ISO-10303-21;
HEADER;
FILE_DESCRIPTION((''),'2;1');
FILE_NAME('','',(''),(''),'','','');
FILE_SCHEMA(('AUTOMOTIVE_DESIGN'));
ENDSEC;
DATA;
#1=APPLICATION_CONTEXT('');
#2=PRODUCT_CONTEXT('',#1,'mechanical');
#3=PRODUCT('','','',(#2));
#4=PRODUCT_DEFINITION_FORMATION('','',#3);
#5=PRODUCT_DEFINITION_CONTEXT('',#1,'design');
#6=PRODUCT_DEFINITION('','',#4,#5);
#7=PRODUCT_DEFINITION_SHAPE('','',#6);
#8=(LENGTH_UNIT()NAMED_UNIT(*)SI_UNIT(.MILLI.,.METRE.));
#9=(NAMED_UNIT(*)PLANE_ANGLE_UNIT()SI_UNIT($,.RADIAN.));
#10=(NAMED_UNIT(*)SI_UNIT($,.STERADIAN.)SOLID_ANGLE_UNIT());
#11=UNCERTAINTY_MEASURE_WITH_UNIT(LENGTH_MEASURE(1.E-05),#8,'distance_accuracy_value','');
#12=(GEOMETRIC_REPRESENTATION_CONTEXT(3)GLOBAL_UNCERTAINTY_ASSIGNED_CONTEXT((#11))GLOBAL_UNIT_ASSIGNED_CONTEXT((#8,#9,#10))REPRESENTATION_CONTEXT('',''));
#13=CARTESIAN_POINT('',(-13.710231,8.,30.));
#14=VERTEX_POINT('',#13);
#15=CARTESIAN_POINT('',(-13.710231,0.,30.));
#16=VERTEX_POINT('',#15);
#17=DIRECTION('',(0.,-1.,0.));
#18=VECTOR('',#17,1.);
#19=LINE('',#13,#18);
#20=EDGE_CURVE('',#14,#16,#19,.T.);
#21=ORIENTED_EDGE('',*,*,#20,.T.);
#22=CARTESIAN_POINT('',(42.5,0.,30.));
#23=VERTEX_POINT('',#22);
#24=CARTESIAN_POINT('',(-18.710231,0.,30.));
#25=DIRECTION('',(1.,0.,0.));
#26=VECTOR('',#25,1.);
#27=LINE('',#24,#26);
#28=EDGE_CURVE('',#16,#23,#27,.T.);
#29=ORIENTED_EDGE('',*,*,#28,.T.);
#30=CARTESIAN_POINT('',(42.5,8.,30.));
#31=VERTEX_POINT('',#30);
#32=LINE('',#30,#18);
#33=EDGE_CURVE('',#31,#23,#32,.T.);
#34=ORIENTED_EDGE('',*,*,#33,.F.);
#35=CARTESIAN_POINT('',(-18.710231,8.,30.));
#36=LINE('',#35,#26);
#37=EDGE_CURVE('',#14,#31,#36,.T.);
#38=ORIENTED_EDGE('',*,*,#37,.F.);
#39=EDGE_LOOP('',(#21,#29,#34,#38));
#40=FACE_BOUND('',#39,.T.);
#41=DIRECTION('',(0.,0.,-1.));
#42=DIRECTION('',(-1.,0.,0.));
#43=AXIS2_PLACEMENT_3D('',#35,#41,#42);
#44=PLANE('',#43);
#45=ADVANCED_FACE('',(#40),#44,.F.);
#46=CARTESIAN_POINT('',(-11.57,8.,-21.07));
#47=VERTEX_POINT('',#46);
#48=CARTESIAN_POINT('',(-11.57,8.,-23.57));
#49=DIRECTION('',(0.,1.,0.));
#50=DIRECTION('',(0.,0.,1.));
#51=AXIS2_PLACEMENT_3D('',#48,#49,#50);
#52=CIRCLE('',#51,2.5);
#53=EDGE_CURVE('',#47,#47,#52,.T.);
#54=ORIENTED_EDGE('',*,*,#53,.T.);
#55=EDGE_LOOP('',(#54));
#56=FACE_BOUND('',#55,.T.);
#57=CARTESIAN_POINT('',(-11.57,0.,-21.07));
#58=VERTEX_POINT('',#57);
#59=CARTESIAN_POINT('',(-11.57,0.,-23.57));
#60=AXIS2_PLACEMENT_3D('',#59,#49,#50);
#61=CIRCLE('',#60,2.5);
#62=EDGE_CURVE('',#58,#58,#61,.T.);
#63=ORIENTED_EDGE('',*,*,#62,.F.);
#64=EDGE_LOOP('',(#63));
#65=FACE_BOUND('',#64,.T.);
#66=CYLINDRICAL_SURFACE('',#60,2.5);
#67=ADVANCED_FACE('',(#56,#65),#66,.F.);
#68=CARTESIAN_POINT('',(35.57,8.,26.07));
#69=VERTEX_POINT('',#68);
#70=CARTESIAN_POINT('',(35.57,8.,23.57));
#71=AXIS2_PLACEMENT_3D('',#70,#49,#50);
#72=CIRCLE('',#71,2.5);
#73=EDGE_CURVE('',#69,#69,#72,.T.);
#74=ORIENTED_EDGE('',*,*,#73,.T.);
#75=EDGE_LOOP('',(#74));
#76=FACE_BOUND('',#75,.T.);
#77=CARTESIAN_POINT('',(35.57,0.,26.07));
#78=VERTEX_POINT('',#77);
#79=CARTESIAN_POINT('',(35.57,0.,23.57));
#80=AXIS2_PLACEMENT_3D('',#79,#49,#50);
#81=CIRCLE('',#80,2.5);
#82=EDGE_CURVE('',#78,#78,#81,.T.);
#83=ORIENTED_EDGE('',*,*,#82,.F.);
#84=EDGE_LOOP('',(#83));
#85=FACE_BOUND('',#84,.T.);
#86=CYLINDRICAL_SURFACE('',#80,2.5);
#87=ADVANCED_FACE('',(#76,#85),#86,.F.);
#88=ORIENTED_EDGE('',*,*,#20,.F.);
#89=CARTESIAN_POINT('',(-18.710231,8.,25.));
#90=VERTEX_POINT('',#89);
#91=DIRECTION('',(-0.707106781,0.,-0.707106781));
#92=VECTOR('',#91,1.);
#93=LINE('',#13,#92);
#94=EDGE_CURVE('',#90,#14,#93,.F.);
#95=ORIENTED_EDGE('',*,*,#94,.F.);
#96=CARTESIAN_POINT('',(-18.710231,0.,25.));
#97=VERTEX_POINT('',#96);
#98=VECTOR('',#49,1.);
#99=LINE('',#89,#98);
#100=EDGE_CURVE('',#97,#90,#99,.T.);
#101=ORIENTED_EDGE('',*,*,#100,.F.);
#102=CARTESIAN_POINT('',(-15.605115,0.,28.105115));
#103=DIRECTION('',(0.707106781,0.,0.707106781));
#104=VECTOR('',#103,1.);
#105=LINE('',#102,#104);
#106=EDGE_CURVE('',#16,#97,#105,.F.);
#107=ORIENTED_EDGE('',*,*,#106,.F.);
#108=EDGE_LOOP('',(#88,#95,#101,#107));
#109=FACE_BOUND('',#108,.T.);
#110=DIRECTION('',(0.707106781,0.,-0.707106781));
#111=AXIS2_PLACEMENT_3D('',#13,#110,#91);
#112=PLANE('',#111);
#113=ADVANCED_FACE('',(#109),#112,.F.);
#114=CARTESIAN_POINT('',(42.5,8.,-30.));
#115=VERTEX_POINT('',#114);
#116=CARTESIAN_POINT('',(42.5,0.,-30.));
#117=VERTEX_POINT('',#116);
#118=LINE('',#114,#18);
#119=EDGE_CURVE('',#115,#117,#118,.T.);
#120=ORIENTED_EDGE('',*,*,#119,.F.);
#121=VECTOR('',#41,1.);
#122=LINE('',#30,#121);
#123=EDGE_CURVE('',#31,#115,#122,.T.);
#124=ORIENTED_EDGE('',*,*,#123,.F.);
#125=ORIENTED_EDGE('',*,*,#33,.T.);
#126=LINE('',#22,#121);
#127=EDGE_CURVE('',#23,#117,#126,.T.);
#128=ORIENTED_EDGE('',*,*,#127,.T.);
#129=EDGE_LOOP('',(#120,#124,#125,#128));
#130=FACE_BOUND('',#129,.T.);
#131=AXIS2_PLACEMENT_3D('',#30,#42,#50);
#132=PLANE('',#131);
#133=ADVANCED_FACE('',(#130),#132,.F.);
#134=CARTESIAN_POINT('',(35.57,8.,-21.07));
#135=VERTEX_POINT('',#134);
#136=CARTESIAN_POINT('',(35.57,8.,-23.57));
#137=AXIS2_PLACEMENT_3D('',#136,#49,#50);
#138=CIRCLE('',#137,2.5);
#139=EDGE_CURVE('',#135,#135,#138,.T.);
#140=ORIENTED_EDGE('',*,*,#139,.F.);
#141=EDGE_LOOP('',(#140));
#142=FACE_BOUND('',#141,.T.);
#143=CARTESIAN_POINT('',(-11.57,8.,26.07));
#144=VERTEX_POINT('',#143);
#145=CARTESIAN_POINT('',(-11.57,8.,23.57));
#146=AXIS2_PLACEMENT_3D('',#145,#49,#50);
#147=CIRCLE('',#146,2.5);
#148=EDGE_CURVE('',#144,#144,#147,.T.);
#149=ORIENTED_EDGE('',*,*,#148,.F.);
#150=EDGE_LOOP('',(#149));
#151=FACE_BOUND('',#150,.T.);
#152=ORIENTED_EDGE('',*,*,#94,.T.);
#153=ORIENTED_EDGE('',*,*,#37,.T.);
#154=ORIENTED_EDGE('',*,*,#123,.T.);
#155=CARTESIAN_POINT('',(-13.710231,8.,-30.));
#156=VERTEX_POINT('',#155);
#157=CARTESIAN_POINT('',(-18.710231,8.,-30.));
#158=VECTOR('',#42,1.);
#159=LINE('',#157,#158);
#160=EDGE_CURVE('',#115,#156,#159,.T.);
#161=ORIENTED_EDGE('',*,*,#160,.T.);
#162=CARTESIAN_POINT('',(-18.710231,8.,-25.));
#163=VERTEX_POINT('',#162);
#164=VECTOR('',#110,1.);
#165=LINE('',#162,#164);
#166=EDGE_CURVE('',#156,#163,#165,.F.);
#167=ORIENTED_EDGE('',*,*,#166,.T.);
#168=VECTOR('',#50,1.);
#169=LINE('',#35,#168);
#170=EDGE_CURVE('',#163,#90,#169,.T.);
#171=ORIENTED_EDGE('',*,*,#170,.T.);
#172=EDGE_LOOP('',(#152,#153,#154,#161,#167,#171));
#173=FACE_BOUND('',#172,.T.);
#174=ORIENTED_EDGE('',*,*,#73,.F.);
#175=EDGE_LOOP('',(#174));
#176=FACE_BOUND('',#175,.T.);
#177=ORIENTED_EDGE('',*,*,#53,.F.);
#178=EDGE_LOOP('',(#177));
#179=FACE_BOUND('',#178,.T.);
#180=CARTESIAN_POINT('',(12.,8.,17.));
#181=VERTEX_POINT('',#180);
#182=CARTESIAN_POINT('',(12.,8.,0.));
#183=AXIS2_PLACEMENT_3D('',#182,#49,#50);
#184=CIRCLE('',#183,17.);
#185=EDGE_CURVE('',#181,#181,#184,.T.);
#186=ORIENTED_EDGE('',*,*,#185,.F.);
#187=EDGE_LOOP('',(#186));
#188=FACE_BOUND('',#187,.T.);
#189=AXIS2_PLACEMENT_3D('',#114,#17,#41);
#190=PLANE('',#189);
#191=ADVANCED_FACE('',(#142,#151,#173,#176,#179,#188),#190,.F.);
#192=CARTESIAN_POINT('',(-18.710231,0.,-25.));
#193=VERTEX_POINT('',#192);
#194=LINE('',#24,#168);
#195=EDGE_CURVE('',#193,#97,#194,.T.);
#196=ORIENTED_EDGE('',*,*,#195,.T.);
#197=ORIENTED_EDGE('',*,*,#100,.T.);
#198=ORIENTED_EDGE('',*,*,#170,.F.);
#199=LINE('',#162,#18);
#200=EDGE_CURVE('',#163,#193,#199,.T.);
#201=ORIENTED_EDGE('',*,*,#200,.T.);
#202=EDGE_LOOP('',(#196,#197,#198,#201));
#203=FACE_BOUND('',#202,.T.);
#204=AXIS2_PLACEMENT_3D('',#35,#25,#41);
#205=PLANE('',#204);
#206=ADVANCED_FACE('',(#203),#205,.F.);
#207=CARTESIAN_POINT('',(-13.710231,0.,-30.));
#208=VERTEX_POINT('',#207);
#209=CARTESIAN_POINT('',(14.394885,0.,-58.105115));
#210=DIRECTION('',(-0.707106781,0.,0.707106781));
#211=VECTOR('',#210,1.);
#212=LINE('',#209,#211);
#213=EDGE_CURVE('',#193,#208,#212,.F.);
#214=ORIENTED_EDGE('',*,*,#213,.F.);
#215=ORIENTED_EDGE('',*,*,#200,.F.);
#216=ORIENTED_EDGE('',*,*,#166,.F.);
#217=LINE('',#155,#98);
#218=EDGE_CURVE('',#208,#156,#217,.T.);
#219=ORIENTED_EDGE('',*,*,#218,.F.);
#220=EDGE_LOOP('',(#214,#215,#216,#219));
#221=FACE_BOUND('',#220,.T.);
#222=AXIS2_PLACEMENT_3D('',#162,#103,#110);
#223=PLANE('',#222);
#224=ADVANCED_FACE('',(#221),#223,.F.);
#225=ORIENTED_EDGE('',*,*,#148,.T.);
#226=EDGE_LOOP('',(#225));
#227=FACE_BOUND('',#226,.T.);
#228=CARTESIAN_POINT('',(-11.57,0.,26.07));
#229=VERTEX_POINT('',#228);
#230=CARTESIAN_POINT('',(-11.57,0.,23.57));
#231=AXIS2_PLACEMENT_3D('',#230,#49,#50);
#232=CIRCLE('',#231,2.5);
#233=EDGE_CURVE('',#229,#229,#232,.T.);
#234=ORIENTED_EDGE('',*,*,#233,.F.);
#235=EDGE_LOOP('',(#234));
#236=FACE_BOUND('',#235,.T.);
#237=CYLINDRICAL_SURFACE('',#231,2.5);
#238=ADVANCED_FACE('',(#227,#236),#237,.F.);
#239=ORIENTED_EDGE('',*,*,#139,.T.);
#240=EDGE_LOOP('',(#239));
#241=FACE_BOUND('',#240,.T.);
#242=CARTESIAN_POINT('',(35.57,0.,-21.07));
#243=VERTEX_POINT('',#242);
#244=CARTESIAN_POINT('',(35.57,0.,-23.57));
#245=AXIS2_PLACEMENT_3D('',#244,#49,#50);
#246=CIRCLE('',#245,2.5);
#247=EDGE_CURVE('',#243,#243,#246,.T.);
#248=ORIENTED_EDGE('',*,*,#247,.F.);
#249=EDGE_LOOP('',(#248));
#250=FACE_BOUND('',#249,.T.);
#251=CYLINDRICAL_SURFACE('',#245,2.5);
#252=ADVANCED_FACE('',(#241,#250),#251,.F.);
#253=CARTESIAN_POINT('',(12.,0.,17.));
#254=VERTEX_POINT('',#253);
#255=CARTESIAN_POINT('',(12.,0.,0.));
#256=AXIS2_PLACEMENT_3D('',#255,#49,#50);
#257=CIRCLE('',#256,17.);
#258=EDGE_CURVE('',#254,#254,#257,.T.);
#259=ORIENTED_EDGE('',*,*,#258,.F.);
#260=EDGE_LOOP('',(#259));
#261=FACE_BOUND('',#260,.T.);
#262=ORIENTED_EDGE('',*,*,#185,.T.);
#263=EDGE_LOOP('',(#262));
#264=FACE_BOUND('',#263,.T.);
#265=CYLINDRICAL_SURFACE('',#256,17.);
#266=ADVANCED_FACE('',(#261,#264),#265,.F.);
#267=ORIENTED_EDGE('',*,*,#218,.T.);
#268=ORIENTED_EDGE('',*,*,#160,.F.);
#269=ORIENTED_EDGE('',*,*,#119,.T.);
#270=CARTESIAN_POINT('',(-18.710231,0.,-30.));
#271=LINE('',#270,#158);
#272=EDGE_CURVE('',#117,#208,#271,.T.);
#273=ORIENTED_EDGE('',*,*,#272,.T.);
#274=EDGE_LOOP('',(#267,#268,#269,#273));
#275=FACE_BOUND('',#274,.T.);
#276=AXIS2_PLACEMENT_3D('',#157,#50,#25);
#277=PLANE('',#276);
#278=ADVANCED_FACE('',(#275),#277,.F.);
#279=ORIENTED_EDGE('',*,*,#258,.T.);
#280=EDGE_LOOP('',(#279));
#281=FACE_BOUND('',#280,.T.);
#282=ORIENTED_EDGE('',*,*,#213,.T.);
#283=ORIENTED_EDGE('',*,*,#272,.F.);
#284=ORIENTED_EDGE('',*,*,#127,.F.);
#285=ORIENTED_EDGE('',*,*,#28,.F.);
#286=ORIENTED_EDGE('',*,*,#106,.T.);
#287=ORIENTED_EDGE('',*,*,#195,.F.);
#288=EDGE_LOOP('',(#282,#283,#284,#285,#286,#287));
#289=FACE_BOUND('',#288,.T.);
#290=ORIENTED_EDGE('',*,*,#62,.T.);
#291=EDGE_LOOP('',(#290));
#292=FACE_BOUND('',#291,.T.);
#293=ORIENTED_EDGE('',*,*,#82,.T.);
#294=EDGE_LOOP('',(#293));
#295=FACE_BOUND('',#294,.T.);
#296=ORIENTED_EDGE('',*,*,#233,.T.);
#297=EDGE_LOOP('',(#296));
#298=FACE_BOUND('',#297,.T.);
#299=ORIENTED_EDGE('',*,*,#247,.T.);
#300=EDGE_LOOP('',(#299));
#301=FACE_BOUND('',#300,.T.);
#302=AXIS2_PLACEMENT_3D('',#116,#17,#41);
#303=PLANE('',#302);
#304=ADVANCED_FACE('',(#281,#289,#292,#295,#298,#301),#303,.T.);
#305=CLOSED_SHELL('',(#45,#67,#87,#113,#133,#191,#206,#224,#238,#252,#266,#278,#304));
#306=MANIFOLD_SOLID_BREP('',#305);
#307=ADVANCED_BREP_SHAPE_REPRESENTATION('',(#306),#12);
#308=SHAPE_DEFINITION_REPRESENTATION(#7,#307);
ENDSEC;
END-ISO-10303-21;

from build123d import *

# Parameters (mm, degrees)
SKETCH2_W          = 61.210230612
SKETCH2_H          = 60
EXTRUDE1_DEPTH     = 8
CHAMFER1_SIZE      = 5
SKETCH3_R          = 17
SKETCH3_R_2        = 2.5
CUT_EXTRUDE1_DEPTH = 53.63316445


with BuildPart() as part:
    # Sketch2 → Extrude1 (new body)
    with BuildSketch(Plane(origin=(0, 0, 0), x_dir=(1, 0, 0), z_dir=(0, 1, 0))):
        with Locations((11.894884694, 0)):
            Rectangle(SKETCH2_W, SKETCH2_H)
    extrude(amount=EXTRUDE1_DEPTH)

    # Chamfer1
    chamfer1_edges = [part.edges().sort_by_distance(p)[0] for p in [
        (-18.710230612, 4, 30),
        (-18.710230612, 4, -30),
    ]]
    chamfer(chamfer1_edges, length=CHAMFER1_SIZE)

    # Sketch3 → Cut-Extrude1 (cut, through all)
    with BuildSketch(Plane(origin=(0, 8, 0), x_dir=(1, 0, 0), z_dir=(0, 1, 0))):
        with Locations(Location((12, 0, 0), (0, 0, 270))):
            Circle(SKETCH3_R)
        with Locations(Location((-11.57, 23.57, 0), (0, 0, 270))):
            Circle(SKETCH3_R_2)
        with Locations(Location((35.57, 23.57, 0), (0, 0, 270))):
            Circle(SKETCH3_R_2)
        with Locations(Location((-11.57, -23.57, 0), (0, 0, 270))):
            Circle(SKETCH3_R_2)
        with Locations(Location((35.57, -23.57, 0), (0, 0, 270))):
            Circle(SKETCH3_R_2)
    extrude(amount=-CUT_EXTRUDE1_DEPTH, mode=Mode.SUBTRACT)


solid = part.part
